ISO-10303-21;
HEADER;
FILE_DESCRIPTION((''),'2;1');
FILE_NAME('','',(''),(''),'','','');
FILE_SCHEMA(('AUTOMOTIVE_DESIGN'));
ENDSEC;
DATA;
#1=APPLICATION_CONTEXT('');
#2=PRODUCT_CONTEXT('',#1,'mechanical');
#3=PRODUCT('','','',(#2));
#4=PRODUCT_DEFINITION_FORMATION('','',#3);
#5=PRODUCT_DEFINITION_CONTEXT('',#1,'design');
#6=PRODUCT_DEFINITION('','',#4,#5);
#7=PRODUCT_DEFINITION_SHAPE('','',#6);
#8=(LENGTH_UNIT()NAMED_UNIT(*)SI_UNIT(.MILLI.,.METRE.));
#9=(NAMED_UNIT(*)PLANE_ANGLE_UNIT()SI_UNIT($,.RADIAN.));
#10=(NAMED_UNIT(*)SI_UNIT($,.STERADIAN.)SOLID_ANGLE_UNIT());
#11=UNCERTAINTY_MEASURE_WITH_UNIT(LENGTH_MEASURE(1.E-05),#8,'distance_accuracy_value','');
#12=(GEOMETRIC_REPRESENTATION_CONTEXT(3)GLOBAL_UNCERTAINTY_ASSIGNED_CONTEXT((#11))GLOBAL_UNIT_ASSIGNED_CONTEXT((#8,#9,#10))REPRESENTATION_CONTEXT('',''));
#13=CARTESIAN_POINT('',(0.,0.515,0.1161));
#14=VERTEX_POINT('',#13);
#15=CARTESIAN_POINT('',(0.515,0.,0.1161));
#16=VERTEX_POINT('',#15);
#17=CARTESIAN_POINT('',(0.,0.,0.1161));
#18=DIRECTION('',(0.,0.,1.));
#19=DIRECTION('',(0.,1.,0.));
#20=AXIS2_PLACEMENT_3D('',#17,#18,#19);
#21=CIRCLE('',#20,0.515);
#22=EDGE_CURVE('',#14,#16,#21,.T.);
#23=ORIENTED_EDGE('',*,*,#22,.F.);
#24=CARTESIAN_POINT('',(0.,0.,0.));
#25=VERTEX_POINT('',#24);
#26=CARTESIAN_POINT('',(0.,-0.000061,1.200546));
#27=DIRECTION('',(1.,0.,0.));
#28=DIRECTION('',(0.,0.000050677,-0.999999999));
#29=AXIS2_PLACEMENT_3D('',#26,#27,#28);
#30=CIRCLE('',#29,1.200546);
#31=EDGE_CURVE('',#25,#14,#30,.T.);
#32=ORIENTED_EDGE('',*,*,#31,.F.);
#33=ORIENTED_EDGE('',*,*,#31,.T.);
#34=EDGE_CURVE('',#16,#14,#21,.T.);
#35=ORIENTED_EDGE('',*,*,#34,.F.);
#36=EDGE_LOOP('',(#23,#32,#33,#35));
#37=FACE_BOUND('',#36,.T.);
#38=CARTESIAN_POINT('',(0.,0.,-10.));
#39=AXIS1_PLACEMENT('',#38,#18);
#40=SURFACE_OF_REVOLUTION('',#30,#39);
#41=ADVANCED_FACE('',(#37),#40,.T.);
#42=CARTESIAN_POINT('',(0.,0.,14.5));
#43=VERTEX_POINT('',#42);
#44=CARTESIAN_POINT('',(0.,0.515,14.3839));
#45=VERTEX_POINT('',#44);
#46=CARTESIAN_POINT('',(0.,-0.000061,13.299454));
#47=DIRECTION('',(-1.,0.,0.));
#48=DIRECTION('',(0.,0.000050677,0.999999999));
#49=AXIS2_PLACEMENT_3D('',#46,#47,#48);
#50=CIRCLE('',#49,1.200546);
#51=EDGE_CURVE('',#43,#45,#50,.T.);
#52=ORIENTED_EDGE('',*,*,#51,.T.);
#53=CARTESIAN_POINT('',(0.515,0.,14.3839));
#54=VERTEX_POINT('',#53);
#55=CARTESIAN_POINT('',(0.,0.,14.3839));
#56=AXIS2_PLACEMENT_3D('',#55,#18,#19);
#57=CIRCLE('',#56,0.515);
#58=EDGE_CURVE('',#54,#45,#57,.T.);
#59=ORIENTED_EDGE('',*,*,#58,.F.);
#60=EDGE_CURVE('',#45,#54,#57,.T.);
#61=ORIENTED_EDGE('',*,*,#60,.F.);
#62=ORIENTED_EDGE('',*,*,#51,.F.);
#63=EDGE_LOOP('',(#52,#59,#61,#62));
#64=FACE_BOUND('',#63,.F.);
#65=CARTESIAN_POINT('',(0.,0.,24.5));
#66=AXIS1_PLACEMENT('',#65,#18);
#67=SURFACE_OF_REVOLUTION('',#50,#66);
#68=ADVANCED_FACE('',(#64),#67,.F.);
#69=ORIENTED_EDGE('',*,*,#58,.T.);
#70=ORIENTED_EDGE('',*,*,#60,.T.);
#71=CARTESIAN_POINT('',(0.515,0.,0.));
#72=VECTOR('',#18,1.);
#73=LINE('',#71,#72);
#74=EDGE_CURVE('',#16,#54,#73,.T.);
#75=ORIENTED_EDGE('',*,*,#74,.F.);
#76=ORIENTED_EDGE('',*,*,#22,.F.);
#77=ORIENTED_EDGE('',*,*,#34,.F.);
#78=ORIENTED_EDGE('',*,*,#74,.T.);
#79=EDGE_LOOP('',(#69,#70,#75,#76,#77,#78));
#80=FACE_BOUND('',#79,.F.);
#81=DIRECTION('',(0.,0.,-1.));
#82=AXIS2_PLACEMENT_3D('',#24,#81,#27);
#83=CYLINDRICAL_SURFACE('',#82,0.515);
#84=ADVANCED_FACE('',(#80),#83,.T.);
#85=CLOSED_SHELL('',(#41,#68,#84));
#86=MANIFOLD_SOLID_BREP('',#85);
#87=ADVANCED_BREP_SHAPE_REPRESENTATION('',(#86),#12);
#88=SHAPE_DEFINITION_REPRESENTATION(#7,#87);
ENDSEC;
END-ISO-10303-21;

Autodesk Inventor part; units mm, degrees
ref_plane "YZ Plane" through (0, 0, 0) normal (1, 0, 0) x (0, 1, 0)
ref_plane "XZ Plane" through (0, 0, 0) normal (0, 1, 0) x (-1, 0, 0)
sketch "Sketch1" plane through (0, 0, 0) normal (0, 0, 1) x (1, 0, 0)
  circle A0 centre (0, 0) radius 0.515
  dimension "d0" = 1.03
extrude "Extrusion1" add sketch "Sketch1" along normal blind 14.5
thread "Thread1" size "110-102 UNM" class "2A" standard "ANSI Unified Screw Threads" full length
sketch "Sketch2" plane through (0, 0, 0) normal (1, 0, 0) x (0, 1, 0)
  line L0 (-0.515, 14.5) -> (0.515, 14.5) projected
  line L1 (-0.515, 0) -> (-0.515, 14.5) projected
  line L2 (0.515, 0) -> (0.515, 14.5) projected
  arc A0 (0, 0) -> (0.515, 0.1161) centre (0, 1.2) ccw
  line L3 (-0.515, 0) -> (0.515, 0) projected
  line L4 (0.515, 0.1161) -> (0.515, 0)
  line L5 (0, 0) -> (0.515, 0)
  line L6 (0, -2.7344) -> (0, 16.2057) projected
  point P0 (0, 0)
  point P1 (0, 0)
revolve "Revolution1" cut sketch "Sketch2" angle 360 about axis through (0, 0, -10) along (0, 0, 1) contours A0 L2 L3
ref_plane "Work Plane_Mid" through (0, 0, 7.25) normal (0, 0, 1) x (1, 0, 0)
mirror "Mirror1" about plane through (0, 0, 7.25) normal (0, 0, 1) of "Revolution1"
ref_plane "Work Plane4" through (0, 0, 14.5) normal (0, 0, 1) x (1, 0, 0)
equation "\"d10\" = 0.5 * d1"
equation "\"d11\" = d1"
equation "\"d1\" = 14.5"
properties part number "Motor_Thread" material "Brass, Soft Yellow"
